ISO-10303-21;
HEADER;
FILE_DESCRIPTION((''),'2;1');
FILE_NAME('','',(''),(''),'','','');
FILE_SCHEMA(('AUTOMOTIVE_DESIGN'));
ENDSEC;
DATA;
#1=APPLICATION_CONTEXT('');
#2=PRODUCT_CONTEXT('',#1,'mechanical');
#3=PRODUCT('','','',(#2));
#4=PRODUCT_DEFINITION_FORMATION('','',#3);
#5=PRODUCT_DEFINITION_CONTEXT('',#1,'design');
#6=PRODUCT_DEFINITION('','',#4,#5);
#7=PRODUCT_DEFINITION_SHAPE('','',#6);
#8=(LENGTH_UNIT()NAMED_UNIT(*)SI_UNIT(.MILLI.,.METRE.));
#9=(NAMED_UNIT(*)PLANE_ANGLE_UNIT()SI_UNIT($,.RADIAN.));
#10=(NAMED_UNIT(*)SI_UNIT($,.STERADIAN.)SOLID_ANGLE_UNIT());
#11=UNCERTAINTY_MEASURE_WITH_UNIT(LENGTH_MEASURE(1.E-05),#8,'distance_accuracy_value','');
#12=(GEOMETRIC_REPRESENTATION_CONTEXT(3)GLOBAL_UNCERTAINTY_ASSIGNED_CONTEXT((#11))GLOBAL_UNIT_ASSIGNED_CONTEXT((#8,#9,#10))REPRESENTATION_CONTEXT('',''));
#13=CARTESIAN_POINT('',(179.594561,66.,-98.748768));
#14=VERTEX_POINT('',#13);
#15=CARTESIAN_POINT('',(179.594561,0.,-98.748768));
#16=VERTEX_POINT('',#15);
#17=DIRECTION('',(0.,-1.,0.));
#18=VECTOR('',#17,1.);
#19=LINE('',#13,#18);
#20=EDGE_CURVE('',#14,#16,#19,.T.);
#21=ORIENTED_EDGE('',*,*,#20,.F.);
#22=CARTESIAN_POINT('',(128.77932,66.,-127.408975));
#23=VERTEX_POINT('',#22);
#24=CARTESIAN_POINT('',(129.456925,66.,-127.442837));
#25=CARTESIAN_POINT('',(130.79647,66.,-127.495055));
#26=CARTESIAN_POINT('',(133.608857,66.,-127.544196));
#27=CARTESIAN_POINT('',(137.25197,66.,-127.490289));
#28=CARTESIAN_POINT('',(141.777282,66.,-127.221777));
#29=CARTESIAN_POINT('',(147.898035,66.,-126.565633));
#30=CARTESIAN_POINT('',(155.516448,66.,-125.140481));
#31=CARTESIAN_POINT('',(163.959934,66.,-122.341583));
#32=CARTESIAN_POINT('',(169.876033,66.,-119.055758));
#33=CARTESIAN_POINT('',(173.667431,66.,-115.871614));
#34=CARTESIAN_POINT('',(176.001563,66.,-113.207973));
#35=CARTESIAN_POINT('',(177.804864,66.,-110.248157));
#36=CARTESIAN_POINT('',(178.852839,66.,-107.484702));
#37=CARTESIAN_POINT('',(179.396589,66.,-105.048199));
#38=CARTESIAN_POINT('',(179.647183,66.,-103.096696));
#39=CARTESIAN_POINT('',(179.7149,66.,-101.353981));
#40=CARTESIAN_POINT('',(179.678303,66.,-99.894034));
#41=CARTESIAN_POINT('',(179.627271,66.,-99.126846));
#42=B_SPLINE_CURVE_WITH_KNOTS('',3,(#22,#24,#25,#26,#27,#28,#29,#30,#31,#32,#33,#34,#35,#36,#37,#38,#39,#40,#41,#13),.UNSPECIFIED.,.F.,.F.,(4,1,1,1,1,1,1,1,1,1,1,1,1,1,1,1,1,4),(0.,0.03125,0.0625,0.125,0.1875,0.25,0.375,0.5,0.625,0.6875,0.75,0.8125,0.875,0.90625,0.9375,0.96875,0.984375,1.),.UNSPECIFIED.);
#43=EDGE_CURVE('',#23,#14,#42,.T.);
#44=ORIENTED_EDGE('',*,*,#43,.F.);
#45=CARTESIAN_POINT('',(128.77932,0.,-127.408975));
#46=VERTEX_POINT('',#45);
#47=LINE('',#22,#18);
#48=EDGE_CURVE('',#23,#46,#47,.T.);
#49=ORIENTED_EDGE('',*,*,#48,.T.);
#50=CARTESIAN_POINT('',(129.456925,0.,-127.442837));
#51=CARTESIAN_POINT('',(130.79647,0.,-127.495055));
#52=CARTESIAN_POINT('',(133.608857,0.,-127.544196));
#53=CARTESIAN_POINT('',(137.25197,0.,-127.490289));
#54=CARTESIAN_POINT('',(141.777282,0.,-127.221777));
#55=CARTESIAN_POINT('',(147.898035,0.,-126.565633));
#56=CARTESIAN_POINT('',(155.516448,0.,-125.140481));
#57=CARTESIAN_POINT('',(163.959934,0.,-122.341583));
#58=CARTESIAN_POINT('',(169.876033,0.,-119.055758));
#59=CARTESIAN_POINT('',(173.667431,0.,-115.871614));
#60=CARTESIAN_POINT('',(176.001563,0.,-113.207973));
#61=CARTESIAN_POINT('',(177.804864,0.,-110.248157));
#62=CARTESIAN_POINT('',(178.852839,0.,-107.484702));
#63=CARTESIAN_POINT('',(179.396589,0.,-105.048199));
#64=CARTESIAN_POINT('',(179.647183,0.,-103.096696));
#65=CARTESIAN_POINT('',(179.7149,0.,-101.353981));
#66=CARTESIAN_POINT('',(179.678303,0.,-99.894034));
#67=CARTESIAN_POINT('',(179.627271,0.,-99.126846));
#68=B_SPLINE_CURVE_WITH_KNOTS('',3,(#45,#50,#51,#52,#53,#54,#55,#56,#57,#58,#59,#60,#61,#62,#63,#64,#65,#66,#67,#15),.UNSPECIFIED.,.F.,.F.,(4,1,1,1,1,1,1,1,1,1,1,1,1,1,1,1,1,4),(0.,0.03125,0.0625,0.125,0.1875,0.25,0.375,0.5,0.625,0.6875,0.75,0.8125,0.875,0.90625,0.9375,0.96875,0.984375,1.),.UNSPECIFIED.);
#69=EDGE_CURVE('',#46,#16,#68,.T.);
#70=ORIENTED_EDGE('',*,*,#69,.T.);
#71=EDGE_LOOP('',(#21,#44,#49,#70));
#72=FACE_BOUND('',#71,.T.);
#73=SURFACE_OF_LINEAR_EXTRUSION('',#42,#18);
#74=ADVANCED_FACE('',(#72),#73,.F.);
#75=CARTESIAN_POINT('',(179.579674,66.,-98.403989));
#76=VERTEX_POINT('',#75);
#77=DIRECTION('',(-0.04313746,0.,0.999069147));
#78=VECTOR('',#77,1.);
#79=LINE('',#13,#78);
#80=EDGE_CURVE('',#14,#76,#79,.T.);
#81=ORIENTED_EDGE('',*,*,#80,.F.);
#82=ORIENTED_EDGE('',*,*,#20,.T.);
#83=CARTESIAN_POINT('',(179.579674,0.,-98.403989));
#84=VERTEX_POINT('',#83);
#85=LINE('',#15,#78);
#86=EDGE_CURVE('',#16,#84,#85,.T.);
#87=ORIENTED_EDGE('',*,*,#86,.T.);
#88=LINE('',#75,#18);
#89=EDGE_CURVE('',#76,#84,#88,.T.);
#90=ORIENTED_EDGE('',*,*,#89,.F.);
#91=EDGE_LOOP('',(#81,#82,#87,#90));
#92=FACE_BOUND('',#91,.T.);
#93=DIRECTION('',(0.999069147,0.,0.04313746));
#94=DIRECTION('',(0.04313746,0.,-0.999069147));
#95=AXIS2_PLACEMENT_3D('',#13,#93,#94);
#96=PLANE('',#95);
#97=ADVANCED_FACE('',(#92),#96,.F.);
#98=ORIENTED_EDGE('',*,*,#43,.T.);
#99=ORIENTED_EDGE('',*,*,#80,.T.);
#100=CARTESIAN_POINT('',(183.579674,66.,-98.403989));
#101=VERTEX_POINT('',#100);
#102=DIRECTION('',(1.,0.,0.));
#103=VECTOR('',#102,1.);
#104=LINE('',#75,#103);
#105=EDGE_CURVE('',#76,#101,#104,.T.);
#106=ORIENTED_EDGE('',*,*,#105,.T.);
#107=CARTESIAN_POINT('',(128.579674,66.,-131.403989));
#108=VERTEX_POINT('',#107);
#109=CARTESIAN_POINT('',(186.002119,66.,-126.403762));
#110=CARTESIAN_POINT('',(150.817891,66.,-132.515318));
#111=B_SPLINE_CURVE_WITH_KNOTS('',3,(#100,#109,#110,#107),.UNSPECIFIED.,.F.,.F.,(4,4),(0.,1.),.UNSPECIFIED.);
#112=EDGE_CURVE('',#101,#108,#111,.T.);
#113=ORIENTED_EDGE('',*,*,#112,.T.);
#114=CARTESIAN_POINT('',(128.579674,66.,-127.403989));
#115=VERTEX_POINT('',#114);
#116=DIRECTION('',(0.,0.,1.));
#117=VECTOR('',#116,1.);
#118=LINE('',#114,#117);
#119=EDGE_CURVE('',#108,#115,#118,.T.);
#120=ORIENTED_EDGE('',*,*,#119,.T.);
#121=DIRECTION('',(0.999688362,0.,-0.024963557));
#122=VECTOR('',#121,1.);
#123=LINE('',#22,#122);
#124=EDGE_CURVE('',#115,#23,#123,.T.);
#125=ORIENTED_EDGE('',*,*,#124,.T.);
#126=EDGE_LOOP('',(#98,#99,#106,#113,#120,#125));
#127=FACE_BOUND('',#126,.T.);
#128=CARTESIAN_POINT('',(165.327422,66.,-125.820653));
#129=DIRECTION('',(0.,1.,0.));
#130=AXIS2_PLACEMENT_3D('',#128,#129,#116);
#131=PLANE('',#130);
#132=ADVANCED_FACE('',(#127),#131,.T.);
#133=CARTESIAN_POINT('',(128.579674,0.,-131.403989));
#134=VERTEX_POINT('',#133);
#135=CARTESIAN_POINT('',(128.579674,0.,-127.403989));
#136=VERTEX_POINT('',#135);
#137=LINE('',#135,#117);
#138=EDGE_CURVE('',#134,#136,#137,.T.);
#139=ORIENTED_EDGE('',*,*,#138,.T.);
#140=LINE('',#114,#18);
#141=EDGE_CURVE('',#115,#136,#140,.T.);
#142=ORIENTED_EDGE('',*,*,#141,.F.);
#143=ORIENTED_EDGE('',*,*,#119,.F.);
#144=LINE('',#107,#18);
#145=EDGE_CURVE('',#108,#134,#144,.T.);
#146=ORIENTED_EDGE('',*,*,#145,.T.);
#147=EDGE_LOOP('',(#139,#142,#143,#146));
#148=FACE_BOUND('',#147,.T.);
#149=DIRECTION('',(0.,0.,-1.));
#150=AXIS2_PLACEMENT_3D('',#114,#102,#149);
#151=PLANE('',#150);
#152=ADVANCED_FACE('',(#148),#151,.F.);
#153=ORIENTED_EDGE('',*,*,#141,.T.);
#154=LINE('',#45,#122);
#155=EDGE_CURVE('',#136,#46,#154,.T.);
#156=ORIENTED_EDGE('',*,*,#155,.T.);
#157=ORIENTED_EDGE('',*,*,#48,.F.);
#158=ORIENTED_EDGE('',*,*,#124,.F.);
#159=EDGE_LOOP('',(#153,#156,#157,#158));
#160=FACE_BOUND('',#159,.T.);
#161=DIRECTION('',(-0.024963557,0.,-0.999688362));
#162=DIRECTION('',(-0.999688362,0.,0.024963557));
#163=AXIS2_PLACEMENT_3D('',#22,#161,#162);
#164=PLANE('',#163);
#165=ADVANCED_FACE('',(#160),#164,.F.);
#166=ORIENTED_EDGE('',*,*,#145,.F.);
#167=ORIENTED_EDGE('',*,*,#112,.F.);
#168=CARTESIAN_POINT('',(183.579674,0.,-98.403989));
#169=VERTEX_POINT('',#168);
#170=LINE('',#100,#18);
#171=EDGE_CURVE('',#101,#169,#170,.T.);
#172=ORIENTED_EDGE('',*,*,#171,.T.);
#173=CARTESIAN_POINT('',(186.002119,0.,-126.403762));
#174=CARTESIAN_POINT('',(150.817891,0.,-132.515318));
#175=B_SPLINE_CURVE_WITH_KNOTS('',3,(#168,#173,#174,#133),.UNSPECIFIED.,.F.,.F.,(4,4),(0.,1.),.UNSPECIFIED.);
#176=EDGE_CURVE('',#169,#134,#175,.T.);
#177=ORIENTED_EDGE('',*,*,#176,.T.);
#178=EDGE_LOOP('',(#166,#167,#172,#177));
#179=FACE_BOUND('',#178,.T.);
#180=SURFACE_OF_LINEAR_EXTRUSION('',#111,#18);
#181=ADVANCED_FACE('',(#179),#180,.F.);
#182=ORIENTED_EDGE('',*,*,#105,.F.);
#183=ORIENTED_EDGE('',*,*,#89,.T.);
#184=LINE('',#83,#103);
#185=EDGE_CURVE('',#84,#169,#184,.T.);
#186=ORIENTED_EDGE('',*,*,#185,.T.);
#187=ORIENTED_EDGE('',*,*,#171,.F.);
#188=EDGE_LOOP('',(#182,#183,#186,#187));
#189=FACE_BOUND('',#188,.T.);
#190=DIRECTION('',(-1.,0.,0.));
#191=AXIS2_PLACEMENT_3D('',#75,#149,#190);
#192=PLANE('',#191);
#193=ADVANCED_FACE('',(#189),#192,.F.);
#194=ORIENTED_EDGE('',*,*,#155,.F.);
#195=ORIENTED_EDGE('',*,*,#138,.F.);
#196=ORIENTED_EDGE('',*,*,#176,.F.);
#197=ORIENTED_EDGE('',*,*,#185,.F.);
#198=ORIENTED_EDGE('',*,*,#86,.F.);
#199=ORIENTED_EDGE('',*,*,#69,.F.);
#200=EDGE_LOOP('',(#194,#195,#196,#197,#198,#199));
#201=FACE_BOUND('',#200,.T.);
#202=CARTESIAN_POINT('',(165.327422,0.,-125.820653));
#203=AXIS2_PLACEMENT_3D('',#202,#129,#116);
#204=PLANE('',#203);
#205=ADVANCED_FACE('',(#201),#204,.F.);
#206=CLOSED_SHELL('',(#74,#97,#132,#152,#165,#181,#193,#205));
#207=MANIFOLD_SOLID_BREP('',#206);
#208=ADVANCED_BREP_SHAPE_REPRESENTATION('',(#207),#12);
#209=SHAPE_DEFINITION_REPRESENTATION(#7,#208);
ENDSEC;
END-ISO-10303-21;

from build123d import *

# Parameters (mm, degrees)
BOSS_EXTRUDE1_DEPTH = 66


with BuildPart() as part:
    # Sketch1 → Boss-Extrude1 (new body)
    with BuildSketch(Plane(origin=(0, 0, 0), x_dir=(1, 0, 0), z_dir=(0, 1, 0))):
        with BuildLine():
            Line((179.594560701, 98.74876777), (179.579673978, 98.403989326))
            Line((179.579673978, 98.403989326), (183.579673978, 98.403989326))
            add(Edge.make_bspline(
                [(128.579673978, 131.403989326), (150.817891371, 132.515318451), (186.002119087, 126.40376225), (183.579673978, 98.403989326)],
                knots=[0, 0, 0, 0, 1, 1, 1, 1], degree=3))
            Line((128.579673978, 131.403989326), (128.579673978, 127.403989326))
            Line((128.579673978, 127.403989326), (128.779320198, 127.408974759))
            add(Edge.make_bspline(
                [(128.779320198, 127.408974759), (129.456925245, 127.442837285), (130.796469522, 127.49505496), (133.608856634, 127.544195588), (137.251969936, 127.49028904), (141.777282014, 127.221776911), (147.898035457, 126.565632752), (155.516447723, 125.140481347), (163.959933839, 122.341583271), (169.876032605, 119.055757918), (173.667431344, 115.871614333), (176.001562959, 113.207973184), (177.804863705, 110.248156926), (178.852838991, 107.484701632), (179.396589336, 105.04819852), (179.647182857, 103.096696056), (179.714900135, 101.353981419), (179.678303178, 99.894033889), (179.627270776, 99.126846368), (179.594560701, 98.74876777)],
                knots=[0, 0, 0, 0, 0.03125, 0.0625, 0.125, 0.1875, 0.25, 0.375, 0.5, 0.625, 0.6875, 0.75, 0.8125, 0.875, 0.90625, 0.9375, 0.96875, 0.984375, 1, 1, 1, 1], degree=3))
        make_face()
    extrude(amount=BOSS_EXTRUDE1_DEPTH)


solid = part.part
